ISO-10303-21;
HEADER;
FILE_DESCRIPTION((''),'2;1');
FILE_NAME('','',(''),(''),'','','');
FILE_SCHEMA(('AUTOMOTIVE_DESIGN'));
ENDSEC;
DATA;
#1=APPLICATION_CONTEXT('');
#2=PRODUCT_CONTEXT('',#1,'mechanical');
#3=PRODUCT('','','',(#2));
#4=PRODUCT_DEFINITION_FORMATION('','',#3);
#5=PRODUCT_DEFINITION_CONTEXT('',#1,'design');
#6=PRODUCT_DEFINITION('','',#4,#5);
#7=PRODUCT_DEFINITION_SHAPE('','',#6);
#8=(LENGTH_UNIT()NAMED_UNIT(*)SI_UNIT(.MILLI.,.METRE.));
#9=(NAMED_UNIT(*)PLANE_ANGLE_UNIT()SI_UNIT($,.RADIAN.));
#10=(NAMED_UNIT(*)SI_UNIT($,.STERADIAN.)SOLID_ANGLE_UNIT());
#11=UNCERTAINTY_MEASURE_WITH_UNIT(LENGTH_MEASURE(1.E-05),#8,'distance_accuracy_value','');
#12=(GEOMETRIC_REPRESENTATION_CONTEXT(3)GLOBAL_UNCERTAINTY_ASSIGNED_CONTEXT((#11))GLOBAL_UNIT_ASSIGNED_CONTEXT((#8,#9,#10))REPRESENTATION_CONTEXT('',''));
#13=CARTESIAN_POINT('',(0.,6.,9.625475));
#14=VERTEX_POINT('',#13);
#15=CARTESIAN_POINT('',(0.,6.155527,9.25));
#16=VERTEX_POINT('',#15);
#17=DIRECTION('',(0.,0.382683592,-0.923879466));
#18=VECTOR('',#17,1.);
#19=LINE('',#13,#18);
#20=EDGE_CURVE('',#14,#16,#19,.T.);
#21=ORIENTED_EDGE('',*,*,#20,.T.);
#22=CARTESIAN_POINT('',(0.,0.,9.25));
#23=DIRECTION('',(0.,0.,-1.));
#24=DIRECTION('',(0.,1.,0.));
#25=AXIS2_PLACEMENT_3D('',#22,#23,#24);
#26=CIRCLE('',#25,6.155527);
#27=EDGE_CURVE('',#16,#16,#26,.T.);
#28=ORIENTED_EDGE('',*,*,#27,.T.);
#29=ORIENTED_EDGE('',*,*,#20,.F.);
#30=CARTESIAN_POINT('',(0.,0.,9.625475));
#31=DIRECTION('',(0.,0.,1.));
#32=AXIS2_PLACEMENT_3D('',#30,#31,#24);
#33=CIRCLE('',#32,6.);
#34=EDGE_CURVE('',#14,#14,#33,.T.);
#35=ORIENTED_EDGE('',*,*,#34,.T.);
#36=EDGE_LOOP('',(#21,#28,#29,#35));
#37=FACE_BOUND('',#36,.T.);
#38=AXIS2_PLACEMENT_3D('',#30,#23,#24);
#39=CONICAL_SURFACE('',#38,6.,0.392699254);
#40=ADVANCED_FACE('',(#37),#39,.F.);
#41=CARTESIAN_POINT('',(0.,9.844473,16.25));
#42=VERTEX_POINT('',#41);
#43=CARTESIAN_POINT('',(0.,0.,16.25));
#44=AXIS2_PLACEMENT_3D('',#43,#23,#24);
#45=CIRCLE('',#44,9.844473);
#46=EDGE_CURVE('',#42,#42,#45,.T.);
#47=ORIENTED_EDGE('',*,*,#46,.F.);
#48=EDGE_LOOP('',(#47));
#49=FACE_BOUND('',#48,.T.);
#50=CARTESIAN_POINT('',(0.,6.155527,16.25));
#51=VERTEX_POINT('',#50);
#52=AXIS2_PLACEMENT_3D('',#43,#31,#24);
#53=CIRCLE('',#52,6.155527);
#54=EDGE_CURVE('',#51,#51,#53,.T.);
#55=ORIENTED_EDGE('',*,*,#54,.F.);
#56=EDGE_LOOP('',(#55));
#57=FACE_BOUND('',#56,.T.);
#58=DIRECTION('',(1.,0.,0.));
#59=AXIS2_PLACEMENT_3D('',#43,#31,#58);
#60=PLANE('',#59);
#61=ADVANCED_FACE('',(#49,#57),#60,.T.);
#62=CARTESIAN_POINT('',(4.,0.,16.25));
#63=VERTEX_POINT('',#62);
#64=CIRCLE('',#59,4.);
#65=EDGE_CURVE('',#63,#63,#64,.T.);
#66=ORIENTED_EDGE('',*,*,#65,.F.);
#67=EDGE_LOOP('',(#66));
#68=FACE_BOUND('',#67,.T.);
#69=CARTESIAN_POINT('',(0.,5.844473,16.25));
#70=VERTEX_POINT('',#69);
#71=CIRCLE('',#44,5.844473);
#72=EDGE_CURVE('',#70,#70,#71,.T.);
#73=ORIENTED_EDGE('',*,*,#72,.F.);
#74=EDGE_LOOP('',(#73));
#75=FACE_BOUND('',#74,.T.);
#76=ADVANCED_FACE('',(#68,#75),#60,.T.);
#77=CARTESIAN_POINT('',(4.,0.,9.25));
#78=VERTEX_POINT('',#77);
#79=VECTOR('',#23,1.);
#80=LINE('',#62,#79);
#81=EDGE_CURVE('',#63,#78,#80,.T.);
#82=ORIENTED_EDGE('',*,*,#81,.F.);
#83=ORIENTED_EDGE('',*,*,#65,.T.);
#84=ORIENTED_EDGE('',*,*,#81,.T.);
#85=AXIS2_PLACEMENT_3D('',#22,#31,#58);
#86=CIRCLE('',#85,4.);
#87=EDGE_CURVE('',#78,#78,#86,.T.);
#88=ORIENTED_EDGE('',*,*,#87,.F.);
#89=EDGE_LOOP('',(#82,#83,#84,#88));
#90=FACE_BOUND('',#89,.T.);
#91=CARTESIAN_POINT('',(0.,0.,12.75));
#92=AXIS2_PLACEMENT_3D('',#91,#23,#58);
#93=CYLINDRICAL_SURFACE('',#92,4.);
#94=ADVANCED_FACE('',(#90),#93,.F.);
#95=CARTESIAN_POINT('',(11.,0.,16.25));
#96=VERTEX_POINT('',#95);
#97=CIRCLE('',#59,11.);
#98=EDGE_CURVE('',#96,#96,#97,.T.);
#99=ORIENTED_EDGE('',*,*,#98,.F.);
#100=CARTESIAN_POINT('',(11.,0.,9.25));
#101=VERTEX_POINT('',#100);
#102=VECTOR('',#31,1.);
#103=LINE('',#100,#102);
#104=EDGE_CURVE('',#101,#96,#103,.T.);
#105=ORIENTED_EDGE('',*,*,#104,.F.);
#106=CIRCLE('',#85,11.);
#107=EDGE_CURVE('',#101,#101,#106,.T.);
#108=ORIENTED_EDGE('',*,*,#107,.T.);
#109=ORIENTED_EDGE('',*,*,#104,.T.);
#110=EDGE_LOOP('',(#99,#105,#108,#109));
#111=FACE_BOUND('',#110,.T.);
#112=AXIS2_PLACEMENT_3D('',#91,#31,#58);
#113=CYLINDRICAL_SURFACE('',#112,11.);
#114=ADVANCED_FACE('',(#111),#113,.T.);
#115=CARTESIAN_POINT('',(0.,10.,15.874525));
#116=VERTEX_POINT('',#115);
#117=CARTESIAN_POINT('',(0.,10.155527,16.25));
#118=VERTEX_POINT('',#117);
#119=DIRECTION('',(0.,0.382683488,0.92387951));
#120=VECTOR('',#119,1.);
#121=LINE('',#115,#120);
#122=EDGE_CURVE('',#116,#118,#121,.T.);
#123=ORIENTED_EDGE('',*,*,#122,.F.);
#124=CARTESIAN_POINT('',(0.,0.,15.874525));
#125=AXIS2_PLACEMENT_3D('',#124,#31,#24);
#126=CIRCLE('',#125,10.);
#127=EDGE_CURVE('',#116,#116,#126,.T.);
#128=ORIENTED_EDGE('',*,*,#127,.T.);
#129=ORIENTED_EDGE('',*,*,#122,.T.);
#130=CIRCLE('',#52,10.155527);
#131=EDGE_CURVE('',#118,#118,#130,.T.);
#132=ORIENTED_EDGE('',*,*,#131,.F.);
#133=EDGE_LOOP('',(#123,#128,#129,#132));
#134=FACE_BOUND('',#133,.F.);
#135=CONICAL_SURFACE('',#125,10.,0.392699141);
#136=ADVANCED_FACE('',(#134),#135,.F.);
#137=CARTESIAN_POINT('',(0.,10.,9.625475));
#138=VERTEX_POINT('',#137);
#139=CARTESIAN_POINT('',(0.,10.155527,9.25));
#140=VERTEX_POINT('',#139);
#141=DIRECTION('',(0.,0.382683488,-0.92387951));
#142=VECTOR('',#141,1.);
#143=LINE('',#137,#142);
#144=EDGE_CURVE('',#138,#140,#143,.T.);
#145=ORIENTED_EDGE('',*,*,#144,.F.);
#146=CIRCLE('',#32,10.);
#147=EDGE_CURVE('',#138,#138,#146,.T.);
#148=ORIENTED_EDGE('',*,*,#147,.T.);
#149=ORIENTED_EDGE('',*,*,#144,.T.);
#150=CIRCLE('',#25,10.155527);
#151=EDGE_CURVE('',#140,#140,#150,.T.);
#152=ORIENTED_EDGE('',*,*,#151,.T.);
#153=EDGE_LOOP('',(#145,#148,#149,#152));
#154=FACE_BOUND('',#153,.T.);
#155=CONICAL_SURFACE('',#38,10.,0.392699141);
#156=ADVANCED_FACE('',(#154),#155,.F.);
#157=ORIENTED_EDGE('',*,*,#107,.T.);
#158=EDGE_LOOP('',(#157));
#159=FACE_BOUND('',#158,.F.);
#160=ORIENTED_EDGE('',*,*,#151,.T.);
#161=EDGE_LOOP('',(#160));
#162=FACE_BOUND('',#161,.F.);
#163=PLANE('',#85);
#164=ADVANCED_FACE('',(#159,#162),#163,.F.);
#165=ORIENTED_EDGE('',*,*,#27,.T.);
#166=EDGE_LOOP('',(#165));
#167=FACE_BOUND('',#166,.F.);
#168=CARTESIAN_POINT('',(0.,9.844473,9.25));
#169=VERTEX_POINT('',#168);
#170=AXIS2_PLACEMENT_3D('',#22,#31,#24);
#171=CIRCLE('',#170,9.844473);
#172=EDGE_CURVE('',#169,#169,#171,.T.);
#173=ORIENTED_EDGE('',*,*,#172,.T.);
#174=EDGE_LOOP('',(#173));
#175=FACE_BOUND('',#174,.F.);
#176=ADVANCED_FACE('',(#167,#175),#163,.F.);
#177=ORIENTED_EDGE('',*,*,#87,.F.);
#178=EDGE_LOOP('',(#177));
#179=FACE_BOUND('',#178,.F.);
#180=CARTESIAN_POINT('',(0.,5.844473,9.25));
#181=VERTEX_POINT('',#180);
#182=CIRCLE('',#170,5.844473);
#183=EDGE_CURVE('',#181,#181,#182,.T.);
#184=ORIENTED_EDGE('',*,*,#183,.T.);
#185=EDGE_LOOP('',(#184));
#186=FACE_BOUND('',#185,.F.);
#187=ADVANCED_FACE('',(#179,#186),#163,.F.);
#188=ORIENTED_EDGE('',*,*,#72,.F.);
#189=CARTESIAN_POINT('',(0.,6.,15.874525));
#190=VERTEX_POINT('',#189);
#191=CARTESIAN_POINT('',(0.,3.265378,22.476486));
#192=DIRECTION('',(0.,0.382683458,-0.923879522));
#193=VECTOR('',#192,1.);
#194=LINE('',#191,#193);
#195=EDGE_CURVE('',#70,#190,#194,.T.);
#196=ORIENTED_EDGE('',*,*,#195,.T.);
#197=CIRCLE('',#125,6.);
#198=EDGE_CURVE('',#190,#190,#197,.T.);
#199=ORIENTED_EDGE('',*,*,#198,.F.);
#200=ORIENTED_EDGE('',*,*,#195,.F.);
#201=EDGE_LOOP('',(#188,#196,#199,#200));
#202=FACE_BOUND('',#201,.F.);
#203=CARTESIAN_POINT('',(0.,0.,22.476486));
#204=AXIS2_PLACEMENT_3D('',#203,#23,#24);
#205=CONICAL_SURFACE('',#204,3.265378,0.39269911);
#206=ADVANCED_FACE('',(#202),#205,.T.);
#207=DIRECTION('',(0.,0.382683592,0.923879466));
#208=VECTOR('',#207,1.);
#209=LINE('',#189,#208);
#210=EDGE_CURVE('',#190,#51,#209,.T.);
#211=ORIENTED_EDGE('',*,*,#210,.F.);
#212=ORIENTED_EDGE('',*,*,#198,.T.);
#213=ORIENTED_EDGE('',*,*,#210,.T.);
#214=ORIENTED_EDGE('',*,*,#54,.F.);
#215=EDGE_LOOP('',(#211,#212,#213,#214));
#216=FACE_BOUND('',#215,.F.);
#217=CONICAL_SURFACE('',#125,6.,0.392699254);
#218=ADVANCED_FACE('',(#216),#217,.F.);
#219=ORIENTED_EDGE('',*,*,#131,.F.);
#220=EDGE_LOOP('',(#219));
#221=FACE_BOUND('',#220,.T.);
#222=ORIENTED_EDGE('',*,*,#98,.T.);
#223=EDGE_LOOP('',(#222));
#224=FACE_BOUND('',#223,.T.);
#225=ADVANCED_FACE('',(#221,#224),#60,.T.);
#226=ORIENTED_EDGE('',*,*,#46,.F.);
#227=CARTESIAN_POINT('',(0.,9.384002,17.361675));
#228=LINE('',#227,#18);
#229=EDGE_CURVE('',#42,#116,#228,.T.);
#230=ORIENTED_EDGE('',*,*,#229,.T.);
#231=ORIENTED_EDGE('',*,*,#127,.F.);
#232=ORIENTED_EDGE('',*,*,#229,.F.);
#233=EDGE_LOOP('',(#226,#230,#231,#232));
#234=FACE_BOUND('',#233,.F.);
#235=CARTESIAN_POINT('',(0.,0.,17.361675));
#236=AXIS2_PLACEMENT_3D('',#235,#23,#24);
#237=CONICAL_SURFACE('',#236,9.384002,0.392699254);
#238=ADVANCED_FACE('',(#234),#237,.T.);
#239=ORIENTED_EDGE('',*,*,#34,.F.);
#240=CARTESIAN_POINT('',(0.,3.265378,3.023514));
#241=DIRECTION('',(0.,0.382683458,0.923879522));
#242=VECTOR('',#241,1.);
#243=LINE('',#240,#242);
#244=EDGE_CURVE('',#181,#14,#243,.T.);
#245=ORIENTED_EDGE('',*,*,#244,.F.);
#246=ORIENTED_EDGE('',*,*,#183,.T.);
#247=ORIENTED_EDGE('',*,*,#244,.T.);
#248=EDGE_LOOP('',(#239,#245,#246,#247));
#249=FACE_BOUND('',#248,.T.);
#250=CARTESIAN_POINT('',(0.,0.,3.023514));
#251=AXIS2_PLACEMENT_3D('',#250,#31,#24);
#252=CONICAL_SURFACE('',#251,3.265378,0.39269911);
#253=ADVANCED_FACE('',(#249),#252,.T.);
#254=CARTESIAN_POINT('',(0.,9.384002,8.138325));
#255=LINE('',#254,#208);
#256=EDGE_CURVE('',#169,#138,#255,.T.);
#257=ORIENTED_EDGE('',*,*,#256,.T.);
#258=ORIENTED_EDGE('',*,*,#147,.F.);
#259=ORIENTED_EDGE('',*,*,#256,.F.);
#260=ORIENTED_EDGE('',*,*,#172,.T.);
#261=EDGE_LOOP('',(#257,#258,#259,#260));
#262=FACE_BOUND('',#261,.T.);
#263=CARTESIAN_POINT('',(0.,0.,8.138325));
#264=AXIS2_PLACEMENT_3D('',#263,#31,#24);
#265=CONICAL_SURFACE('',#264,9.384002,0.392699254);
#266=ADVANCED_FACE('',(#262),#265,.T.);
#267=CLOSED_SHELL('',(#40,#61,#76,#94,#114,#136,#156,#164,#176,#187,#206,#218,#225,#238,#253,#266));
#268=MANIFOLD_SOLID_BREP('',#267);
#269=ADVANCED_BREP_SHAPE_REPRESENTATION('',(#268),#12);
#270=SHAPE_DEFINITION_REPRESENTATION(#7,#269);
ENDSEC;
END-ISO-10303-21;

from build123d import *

# Parameters (mm, degrees)
SKETCH002_R   = 11
SKETCH002_R_2 = 4
PAD002_DEPTH  = 3.5


with BuildPart() as part:
    # Sketch002 → Pad002 (new body, symmetric)
    with BuildSketch(Plane.XY):
        Circle(SKETCH002_R)
        Circle(SKETCH002_R_2, mode=Mode.SUBTRACT)
    extrude(amount=PAD002_DEPTH, both=True)

    # Sketch003 → Groove (revolve, cut)
    with BuildSketch(Plane.YZ):
        Polygon((3.265378, -9.726486), (6, -3.124525), (6.615998, -4.611675), (9.384002, -4.611675), (10, -3.124525), (10.963347, -5.45025), (14.375534, -9.430194), (8.874444, -10.64642), align=None)
    groove = revolve(axis=Axis((0, 0, 0), (0, 0, 1)), mode=Mode.SUBTRACT)

    # Mirrored: Groove across XY
    add(groove.mirror(Plane.XY), mode=Mode.SUBTRACT)


with BuildPart() as part_1:
    # Body001 placement: moved
    add(part.part.moved(Location((0, 0, 12.75))))


solid = part_1.part
